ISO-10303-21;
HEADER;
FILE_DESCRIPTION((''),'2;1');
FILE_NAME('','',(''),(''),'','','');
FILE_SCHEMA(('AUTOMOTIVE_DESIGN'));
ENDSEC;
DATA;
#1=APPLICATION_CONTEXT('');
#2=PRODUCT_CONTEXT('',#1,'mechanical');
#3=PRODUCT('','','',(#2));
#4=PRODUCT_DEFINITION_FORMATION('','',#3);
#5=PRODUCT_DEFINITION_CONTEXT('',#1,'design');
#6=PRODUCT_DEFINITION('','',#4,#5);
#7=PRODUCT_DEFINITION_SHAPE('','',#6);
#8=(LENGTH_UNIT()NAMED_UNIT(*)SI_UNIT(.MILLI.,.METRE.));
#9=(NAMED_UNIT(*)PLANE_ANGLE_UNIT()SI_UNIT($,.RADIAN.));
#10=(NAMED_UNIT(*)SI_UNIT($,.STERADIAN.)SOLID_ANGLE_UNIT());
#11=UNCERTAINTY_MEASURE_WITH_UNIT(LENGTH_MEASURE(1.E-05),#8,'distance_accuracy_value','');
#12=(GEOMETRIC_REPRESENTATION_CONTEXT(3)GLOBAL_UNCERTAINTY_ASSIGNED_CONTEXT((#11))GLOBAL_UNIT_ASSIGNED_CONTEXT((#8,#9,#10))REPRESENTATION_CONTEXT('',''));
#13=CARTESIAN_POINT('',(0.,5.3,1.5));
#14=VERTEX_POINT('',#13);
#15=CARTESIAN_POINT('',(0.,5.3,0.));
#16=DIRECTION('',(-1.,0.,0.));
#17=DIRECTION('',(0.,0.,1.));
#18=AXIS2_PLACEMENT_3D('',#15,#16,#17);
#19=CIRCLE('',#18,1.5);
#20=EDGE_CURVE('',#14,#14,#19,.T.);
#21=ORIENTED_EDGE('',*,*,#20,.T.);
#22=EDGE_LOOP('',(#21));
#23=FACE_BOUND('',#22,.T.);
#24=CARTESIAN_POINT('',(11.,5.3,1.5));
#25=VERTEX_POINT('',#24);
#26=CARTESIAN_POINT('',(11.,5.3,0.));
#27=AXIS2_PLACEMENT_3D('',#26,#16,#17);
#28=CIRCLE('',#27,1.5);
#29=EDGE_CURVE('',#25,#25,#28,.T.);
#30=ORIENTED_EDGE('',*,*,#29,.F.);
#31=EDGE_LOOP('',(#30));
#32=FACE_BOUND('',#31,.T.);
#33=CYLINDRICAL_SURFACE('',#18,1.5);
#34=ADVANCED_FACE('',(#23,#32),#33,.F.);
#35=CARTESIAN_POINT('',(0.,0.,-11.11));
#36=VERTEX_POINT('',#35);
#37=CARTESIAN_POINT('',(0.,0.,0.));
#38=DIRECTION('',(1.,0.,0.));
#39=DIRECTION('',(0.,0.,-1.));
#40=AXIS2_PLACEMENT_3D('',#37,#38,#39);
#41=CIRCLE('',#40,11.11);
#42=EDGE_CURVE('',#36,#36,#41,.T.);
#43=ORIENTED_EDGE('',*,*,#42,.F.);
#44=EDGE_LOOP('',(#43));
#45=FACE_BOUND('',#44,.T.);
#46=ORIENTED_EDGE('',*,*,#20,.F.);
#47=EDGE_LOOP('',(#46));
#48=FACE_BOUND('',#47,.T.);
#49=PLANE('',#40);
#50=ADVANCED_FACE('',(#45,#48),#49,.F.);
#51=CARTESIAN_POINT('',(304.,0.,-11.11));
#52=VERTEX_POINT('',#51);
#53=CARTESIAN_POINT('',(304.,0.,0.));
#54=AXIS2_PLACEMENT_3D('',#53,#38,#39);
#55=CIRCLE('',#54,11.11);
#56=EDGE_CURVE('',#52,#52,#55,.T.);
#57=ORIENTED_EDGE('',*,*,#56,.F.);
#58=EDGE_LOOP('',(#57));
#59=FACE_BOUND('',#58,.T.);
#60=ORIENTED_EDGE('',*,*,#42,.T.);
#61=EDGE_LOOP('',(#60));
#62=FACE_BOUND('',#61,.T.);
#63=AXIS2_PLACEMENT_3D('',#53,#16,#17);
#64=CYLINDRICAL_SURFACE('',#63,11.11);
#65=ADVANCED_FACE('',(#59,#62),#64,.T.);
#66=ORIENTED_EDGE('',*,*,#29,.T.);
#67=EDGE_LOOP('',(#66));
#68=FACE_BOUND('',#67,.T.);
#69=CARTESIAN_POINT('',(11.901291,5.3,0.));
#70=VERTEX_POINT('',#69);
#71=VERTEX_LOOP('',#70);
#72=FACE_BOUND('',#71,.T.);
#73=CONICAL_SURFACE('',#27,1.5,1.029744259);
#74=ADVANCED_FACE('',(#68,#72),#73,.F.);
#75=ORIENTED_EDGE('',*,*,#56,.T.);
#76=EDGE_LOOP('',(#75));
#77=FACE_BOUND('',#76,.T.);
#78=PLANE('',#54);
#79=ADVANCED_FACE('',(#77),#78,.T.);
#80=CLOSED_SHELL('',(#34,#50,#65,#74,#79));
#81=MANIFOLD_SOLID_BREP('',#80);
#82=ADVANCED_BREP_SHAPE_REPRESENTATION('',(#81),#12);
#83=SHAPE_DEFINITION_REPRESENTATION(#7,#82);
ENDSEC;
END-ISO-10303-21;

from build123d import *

# Parameters (mm, degrees)
SKETCH1_R                    = 11.11
BOSS_EXTRUDE1_DEPTH          = 304
F_3_0_3_DIAMETER_HOLE2_D     = 3
F_3_0_3_DIAMETER_HOLE2_DEPTH = 11
F_3_0_3_DIAMETER_HOLE2_TIP   = 0.901290929


with BuildPart() as part:
    # Sketch1 → Boss-Extrude1 (new body)
    with BuildSketch(Plane(origin=(0, 0, 0), x_dir=(0, 0, -1), z_dir=(1, 0, 0))):
        Circle(SKETCH1_R)
    extrude(amount=BOSS_EXTRUDE1_DEPTH)

    # Ø3.0 (3) Diameter Hole2
    with Locations(Plane.ZY):
        with Locations((0, 5.3)):
            Hole(F_3_0_3_DIAMETER_HOLE2_D / 2, depth=F_3_0_3_DIAMETER_HOLE2_DEPTH)
            with Locations((0, 0, -(F_3_0_3_DIAMETER_HOLE2_DEPTH + F_3_0_3_DIAMETER_HOLE2_TIP / 2))):  # 118° drill point
                Cone(0, F_3_0_3_DIAMETER_HOLE2_D / 2, F_3_0_3_DIAMETER_HOLE2_TIP, mode=Mode.SUBTRACT)


solid = part.part
